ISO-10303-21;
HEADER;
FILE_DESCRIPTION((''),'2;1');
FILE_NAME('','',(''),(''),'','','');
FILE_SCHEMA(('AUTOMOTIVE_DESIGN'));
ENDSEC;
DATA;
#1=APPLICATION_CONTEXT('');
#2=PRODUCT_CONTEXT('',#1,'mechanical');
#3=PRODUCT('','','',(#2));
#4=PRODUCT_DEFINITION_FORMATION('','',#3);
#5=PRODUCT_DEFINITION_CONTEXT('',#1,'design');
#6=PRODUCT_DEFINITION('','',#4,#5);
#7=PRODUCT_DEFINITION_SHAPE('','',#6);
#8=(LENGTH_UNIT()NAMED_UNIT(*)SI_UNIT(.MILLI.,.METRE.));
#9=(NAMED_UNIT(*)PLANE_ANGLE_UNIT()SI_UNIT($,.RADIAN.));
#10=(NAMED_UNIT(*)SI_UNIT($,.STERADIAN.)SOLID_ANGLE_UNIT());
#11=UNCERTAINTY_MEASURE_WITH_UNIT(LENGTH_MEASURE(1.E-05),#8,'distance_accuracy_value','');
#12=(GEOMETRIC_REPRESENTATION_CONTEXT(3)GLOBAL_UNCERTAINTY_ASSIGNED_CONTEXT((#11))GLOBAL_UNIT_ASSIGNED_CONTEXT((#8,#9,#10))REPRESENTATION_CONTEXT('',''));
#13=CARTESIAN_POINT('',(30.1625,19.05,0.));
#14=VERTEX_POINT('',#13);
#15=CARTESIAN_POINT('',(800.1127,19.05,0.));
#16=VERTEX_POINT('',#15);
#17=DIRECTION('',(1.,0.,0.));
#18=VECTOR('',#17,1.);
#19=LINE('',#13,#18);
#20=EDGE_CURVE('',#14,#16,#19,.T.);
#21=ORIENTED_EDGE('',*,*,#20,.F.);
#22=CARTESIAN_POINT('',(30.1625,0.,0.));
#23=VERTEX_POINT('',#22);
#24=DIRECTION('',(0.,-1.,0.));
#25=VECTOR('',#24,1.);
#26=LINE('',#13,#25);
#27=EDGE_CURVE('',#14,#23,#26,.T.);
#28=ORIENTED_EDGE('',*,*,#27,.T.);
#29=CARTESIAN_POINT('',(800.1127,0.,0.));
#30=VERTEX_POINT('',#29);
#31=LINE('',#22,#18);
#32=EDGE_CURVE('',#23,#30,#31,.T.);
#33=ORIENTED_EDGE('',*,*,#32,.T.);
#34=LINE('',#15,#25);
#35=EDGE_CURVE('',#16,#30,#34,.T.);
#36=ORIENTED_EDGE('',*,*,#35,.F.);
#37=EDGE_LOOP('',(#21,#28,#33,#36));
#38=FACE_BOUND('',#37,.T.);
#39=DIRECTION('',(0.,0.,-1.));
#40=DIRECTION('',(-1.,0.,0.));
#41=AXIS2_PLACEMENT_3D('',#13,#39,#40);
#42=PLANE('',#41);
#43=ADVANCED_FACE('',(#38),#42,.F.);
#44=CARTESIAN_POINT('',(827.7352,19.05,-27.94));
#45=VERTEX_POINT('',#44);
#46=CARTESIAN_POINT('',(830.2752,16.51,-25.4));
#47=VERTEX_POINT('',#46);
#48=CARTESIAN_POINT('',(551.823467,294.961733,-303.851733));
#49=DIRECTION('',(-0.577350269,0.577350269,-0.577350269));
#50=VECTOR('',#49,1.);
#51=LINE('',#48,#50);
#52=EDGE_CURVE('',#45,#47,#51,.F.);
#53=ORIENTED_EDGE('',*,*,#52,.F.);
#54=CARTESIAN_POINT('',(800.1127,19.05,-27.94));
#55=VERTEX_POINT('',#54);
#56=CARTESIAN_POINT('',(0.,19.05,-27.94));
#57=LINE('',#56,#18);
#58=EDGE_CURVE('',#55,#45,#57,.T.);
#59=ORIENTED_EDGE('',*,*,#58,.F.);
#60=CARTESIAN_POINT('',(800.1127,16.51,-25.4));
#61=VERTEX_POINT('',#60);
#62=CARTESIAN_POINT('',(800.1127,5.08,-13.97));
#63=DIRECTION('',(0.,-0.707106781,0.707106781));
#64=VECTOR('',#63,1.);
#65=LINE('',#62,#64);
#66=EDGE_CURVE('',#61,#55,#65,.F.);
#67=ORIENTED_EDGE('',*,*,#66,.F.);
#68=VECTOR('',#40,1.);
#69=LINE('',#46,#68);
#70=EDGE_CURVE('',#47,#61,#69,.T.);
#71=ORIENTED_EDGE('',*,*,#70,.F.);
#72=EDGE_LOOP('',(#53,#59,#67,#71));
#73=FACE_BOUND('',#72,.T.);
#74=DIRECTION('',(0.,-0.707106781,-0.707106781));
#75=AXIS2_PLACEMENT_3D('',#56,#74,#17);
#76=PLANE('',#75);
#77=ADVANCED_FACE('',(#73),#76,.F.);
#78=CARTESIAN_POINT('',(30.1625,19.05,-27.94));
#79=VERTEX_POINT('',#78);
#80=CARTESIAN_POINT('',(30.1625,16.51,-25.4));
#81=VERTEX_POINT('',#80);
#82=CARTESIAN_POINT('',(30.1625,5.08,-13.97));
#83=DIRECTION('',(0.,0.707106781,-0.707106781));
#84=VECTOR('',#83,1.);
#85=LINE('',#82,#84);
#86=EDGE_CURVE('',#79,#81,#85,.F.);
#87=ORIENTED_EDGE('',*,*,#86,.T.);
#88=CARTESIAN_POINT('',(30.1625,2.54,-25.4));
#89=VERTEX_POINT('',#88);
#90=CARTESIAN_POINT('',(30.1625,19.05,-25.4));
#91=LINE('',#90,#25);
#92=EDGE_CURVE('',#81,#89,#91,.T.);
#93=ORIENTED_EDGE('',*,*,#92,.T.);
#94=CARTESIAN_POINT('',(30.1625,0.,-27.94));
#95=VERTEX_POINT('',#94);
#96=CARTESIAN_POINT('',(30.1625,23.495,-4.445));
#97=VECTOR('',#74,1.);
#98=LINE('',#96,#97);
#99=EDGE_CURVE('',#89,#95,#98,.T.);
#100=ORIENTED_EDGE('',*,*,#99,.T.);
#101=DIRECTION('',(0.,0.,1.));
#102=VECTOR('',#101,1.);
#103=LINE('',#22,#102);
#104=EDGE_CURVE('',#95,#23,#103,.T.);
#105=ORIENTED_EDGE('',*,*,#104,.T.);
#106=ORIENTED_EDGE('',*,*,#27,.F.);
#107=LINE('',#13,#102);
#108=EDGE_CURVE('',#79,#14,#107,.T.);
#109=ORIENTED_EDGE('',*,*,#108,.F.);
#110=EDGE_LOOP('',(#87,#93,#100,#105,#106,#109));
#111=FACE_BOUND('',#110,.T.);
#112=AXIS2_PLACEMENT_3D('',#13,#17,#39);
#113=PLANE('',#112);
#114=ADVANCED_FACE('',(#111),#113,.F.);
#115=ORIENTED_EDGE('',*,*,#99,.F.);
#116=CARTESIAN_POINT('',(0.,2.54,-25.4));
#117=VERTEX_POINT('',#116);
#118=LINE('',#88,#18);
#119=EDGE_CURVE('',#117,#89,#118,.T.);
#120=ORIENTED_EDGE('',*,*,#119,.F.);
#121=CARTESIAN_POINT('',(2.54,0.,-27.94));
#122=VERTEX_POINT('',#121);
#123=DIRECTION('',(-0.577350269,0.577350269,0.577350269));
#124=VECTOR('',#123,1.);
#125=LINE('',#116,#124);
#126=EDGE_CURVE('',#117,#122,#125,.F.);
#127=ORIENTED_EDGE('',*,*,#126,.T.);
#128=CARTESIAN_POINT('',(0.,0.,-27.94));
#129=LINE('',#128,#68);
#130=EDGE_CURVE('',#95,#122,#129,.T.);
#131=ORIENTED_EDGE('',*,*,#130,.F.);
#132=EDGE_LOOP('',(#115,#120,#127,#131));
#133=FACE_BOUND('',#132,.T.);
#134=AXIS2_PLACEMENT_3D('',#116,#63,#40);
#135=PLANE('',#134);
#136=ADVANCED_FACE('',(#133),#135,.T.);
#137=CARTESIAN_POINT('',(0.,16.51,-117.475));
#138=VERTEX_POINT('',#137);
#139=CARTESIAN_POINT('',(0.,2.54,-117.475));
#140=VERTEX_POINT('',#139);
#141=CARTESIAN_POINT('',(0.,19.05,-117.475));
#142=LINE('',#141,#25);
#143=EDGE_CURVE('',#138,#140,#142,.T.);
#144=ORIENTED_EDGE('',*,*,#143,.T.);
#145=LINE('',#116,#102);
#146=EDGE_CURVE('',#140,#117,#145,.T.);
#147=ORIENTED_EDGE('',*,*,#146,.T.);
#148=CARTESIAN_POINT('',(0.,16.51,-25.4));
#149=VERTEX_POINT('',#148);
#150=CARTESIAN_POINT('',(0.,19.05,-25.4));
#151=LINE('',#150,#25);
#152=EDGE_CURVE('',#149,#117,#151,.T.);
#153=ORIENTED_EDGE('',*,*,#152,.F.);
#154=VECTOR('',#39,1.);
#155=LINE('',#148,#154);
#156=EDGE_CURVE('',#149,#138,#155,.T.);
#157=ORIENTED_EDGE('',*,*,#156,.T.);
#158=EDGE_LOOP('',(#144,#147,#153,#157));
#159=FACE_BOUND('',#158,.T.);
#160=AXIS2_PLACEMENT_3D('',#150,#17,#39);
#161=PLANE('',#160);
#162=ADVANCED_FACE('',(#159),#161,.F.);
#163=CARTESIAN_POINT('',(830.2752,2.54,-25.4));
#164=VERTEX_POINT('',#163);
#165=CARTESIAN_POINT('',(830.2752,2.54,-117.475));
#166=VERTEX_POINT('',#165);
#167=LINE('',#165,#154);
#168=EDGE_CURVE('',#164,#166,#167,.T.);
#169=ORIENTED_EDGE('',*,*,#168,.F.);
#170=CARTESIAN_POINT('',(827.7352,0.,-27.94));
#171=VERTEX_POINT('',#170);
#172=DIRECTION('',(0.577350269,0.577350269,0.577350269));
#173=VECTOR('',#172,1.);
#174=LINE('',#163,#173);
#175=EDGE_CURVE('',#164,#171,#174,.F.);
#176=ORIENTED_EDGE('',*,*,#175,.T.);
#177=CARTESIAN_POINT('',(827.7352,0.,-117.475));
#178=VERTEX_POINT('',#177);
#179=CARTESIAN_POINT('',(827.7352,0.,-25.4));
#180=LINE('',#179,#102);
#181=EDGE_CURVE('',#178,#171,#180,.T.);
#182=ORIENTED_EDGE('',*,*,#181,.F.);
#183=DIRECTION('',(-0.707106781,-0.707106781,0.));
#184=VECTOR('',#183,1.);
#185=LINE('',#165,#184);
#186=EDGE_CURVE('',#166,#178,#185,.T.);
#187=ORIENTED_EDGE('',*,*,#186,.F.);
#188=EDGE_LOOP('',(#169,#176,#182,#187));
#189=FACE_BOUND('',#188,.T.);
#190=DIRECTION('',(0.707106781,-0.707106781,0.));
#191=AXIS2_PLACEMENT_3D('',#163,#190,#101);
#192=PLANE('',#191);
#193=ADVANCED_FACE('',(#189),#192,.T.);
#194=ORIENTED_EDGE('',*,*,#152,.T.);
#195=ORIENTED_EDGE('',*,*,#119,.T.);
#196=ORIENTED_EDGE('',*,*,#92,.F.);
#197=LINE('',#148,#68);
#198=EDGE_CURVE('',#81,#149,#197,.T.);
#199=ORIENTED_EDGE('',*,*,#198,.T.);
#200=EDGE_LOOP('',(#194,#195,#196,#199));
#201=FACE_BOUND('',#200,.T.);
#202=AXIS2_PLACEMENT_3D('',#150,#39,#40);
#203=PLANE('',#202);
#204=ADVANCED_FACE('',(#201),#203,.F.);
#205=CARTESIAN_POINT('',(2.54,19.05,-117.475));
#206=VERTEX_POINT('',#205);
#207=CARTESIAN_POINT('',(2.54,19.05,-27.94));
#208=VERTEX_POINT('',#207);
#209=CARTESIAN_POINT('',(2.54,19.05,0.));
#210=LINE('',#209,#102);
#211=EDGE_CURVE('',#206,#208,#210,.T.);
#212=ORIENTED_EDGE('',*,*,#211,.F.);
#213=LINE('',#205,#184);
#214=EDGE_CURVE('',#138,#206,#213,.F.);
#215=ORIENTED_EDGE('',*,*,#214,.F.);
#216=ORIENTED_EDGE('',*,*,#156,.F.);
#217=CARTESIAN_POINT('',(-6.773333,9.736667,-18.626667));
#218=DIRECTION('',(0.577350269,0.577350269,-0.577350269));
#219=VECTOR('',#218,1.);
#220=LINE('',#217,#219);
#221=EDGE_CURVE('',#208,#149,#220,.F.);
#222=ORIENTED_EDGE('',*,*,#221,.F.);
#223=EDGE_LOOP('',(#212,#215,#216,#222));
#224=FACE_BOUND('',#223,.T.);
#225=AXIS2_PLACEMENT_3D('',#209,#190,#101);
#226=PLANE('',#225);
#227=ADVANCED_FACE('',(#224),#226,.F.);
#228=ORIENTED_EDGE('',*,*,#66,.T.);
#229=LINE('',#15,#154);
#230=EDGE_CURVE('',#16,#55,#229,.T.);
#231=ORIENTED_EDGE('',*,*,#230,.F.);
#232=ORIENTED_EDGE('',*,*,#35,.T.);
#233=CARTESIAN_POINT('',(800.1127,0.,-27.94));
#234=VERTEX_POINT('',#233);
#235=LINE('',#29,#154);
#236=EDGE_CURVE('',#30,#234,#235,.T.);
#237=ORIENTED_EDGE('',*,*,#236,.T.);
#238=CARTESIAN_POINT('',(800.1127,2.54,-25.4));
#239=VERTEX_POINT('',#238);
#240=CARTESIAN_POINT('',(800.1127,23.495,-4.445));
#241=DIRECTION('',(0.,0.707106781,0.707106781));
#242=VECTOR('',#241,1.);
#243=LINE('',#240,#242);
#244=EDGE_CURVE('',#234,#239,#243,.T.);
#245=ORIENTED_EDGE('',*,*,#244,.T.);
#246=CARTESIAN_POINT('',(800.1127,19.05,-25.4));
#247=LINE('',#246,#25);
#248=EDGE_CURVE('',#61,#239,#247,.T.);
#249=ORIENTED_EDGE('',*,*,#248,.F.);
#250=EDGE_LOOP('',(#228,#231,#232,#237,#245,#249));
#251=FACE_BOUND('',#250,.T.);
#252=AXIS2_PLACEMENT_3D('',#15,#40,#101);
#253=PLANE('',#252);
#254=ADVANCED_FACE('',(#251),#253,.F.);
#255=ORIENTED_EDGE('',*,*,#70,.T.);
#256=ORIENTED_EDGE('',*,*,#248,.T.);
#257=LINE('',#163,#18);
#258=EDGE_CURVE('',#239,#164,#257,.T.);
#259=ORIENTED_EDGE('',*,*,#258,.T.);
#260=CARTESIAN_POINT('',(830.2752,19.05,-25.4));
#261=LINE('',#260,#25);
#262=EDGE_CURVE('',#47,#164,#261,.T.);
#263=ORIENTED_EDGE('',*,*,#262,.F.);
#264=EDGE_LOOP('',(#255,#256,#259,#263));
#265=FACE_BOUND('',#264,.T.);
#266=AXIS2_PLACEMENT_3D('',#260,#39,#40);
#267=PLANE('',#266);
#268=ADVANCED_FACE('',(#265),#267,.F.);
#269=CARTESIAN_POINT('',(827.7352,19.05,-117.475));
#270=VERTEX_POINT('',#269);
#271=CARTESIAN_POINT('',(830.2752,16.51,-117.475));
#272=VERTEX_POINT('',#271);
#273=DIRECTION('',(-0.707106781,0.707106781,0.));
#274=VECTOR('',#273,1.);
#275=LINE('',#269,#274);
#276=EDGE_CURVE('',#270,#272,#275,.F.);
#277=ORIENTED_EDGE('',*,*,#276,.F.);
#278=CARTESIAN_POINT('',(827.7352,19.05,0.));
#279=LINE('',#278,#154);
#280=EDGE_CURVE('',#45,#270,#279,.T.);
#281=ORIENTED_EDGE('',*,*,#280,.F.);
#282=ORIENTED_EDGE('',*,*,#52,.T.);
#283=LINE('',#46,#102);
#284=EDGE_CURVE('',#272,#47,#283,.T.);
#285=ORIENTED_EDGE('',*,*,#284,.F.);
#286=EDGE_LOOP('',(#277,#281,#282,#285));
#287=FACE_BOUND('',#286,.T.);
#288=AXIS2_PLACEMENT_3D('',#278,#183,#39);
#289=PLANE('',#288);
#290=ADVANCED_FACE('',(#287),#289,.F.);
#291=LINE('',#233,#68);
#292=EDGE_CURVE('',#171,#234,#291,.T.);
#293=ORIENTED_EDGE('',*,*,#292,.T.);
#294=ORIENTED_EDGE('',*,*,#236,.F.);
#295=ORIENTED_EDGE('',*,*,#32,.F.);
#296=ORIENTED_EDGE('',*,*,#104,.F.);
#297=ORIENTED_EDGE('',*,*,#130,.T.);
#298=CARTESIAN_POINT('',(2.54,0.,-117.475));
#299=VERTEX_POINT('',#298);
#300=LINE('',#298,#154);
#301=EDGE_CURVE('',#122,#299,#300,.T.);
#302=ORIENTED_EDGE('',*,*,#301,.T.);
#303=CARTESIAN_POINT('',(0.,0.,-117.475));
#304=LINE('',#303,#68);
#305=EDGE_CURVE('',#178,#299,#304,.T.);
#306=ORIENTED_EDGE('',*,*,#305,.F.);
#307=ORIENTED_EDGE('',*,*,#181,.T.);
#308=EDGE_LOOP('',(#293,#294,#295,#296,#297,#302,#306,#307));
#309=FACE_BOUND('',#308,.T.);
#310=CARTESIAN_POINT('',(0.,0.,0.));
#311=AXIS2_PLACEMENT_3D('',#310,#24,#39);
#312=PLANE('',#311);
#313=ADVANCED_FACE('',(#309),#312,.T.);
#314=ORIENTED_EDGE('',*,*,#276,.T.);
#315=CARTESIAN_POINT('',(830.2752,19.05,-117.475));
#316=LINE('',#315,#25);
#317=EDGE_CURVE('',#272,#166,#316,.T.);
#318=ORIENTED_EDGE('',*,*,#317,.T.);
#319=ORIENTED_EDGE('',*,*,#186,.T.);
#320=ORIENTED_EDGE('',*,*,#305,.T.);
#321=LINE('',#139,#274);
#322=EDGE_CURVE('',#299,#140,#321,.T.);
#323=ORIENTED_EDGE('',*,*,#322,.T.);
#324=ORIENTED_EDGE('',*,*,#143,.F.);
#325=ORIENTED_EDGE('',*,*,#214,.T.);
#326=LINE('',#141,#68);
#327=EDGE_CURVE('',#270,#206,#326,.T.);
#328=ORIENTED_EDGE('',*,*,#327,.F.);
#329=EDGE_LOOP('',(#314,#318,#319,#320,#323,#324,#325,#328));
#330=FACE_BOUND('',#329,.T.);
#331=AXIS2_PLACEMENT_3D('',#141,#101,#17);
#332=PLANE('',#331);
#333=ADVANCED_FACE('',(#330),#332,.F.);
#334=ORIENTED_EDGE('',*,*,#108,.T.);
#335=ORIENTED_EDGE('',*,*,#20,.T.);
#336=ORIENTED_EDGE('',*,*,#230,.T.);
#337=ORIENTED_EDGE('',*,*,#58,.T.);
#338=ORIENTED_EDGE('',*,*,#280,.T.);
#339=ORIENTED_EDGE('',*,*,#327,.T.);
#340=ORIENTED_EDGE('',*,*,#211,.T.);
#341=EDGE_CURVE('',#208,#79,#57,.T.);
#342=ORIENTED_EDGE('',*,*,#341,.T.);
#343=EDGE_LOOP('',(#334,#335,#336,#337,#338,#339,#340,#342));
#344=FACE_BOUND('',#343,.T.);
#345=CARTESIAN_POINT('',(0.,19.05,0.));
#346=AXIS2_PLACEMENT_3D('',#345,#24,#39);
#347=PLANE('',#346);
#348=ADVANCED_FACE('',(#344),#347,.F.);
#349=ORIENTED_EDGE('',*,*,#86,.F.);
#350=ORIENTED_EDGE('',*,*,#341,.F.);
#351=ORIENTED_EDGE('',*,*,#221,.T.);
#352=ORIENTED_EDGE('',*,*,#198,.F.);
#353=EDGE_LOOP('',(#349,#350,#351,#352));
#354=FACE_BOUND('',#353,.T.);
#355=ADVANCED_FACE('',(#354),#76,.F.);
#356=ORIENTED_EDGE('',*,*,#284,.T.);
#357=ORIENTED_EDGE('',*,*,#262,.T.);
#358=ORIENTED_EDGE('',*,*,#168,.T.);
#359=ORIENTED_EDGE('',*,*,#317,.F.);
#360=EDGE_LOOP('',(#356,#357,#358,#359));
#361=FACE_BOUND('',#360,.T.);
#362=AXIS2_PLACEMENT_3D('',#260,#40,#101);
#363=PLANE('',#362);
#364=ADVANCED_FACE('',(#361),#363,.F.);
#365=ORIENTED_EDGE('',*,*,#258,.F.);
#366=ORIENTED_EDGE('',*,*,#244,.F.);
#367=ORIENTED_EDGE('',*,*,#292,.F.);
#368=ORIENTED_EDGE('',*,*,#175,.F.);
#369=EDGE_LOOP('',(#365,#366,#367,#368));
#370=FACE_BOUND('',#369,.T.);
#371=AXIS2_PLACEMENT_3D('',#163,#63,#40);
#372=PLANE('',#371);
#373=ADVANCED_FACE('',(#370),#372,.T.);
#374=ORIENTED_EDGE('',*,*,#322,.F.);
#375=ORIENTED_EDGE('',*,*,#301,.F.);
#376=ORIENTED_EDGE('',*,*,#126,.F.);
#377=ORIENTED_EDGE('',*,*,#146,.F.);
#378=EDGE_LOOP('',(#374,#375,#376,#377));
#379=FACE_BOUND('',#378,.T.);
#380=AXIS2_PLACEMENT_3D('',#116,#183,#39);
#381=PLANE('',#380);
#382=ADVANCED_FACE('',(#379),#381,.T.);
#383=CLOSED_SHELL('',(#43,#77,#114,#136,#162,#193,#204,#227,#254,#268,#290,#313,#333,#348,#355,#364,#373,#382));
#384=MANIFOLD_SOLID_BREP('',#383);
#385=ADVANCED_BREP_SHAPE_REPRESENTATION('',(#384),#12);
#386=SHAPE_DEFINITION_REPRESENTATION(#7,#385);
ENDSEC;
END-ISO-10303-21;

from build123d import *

# Parameters (mm, degrees)
BOSS_EXTRUDE1_DEPTH = 19.05
CHAMFER1_SIZE       = 2.54


with BuildPart() as part:
    # Sketch1 → Boss-Extrude1 (new body)
    with BuildSketch(Plane(origin=(0, 0, 0), x_dir=(1, 0, 0), z_dir=(0, 1, 0))):
        Polygon((30.1625, 0), (800.1127, 0), (800.1127, 25.4), (830.2752, 25.4), (830.2752, 117.475), (0, 117.475), (0, 25.4), (30.1625, 25.4), align=None)
    extrude(amount=BOSS_EXTRUDE1_DEPTH)

    # Chamfer1
    chamfer1_edges = [part.edges().sort_by_distance(p)[0] for p in [
        (15.08125, 0, -25.4),
        (0, 0, -71.4375),
        (830.2752, 0, -71.4375),
        (0, 19.05, -71.4375),
        (15.08125, 19.05, -25.4),
        (815.19395, 19.05, -25.4),
        (830.2752, 19.05, -71.4375),
        (815.19395, 0, -25.4),
    ]]
    chamfer(chamfer1_edges, length=CHAMFER1_SIZE)


solid = part.part
